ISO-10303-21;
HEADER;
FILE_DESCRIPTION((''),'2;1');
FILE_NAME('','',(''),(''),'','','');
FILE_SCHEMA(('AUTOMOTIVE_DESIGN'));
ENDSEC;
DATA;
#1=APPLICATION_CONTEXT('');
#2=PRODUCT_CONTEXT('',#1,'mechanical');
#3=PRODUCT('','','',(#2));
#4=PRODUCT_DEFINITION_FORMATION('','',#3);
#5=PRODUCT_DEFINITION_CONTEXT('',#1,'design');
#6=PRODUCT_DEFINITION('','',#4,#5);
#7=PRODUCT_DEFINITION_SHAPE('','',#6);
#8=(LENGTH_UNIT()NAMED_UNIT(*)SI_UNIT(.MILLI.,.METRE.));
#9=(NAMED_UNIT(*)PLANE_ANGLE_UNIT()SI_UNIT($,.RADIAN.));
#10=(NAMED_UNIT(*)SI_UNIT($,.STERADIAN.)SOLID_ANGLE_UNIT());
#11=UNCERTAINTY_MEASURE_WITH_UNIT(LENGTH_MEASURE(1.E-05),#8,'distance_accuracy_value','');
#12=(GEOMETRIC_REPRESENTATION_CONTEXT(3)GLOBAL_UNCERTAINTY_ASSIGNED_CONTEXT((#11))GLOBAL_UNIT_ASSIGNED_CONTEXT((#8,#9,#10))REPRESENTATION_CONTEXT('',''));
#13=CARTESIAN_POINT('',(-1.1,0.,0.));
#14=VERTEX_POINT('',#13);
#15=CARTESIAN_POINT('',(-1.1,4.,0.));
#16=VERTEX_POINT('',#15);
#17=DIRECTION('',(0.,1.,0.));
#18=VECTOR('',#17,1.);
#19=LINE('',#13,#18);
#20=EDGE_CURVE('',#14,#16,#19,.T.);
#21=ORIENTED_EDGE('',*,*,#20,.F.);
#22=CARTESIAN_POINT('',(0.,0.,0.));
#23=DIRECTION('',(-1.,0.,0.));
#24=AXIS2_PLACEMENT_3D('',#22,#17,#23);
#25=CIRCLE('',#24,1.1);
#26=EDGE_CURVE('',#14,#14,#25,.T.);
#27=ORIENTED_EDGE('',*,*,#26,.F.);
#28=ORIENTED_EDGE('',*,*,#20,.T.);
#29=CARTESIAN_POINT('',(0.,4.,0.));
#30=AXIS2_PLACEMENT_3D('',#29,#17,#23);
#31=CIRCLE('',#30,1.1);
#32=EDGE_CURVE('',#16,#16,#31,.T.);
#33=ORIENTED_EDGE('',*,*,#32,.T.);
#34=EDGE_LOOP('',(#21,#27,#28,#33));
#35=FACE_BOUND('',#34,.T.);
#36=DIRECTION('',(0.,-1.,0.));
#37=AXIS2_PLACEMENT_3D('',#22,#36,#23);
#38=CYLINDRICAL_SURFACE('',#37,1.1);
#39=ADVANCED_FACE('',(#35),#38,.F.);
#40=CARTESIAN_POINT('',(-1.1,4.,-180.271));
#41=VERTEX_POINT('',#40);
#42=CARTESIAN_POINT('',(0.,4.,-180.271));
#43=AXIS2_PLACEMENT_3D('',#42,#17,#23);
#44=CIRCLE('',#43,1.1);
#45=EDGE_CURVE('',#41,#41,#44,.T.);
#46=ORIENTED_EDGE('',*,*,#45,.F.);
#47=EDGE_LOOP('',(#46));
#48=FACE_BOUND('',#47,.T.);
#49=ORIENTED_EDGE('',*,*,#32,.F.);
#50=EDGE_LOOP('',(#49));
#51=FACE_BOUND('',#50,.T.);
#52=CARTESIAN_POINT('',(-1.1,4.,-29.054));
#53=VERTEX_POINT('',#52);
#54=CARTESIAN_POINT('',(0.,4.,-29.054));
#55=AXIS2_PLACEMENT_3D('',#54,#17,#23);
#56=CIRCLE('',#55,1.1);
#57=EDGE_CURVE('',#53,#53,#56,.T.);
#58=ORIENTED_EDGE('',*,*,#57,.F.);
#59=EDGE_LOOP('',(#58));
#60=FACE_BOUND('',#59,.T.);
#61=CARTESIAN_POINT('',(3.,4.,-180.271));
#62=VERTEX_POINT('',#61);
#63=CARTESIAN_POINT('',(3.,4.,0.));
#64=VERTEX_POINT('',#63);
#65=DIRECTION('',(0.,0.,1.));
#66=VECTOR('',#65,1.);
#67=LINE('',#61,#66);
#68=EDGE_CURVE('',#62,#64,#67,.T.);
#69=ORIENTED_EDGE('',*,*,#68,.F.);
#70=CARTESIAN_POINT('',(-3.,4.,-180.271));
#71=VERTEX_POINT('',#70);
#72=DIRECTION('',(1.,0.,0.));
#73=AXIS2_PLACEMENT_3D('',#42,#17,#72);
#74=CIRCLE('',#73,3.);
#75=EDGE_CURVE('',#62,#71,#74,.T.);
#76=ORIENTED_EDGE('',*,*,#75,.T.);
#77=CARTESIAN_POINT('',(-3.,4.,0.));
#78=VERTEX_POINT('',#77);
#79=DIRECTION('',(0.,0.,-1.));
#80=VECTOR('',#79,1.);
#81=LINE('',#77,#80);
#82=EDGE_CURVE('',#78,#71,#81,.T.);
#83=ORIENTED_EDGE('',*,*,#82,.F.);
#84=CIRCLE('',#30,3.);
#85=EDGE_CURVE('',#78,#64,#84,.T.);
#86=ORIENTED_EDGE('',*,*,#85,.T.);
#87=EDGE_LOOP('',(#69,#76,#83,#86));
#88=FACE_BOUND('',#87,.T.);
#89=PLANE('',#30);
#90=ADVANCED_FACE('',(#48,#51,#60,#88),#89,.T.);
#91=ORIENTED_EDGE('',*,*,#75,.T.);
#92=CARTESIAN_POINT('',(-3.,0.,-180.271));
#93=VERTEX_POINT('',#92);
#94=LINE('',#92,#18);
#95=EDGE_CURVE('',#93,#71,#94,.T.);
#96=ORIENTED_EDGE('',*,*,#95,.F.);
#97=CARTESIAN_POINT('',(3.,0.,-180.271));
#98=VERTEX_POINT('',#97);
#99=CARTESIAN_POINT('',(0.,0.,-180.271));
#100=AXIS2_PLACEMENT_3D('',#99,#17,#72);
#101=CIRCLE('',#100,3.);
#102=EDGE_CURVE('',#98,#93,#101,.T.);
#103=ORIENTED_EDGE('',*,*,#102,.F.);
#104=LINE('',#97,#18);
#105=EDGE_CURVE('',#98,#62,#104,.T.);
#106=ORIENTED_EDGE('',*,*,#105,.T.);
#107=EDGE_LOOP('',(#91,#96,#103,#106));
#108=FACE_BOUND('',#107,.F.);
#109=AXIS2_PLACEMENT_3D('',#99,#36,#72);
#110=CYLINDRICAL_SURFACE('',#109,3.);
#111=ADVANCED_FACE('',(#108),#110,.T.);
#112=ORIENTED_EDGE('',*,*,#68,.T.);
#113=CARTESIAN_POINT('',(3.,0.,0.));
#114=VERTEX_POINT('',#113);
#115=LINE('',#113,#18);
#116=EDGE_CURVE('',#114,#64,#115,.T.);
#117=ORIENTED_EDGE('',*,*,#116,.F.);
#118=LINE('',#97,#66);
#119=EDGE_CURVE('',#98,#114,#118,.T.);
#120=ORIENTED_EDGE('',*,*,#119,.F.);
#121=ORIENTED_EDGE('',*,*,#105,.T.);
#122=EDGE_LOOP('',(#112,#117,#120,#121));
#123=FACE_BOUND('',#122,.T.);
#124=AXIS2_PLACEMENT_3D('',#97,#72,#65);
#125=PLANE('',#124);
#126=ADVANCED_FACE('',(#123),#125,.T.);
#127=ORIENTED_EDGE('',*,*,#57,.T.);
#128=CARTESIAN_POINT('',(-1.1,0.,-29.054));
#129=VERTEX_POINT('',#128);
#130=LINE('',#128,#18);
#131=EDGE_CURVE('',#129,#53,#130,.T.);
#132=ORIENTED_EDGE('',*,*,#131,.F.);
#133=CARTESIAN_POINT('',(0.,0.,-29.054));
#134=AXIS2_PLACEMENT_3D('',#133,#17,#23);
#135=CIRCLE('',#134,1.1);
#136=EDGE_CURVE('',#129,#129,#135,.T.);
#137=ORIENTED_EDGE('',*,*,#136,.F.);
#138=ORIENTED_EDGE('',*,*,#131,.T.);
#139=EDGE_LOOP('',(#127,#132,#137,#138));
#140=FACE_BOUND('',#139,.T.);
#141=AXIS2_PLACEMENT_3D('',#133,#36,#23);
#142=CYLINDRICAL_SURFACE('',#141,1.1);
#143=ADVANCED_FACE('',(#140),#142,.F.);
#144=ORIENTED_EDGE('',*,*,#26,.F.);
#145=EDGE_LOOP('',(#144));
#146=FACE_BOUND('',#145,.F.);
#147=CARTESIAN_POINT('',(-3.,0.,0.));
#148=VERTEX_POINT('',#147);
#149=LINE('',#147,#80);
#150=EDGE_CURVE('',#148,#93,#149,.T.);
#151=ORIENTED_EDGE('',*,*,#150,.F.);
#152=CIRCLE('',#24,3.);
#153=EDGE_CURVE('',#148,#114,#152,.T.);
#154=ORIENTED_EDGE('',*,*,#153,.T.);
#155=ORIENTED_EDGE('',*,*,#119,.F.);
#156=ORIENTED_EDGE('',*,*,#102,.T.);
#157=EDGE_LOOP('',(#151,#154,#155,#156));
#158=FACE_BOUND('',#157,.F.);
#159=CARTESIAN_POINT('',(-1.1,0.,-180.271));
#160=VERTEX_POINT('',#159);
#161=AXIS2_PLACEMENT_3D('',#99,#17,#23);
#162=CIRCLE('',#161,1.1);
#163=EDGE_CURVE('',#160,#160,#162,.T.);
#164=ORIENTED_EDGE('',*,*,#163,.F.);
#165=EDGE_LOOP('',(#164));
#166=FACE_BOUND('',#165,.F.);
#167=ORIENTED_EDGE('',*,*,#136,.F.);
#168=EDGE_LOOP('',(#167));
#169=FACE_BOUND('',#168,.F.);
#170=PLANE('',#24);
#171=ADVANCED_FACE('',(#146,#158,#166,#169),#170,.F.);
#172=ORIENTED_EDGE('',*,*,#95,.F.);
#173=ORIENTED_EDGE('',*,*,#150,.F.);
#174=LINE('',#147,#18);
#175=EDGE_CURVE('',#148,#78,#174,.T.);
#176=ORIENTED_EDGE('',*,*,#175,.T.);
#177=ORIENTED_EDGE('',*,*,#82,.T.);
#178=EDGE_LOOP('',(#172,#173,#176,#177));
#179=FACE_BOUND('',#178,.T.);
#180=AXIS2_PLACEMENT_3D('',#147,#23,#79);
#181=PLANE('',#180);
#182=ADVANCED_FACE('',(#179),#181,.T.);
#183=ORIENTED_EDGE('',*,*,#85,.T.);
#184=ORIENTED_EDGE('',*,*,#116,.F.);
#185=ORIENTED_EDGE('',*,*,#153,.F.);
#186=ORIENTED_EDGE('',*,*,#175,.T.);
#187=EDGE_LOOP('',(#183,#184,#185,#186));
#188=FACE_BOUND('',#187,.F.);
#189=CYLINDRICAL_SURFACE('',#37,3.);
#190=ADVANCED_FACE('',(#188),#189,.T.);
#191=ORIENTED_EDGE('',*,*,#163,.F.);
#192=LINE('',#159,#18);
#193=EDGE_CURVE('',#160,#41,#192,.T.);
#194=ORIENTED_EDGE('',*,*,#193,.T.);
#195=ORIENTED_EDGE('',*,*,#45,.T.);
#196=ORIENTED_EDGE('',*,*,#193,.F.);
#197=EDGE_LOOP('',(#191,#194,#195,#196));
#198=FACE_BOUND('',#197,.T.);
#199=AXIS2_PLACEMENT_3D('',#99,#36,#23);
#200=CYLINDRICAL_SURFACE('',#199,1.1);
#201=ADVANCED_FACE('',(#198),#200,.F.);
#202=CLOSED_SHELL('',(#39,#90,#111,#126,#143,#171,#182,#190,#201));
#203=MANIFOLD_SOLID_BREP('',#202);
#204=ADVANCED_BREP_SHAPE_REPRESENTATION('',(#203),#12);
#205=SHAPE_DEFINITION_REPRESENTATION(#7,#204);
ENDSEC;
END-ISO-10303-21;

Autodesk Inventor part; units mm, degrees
ref_plane "YZ Plane" through (0, 0, 0) normal (1, 0, 0) x (0, 1, 0)
ref_plane "XZ Plane" through (0, 0, 0) normal (0, 1, 0) x (-1, 0, 0)
ref_plane "XY Plane" through (0, 0, 0) normal (0, 0, 1) x (1, 0, 0)
sketch "Sketch1" plane through (0, 0, 0) normal (0, 1, 0) x (-1, 0, 0)
  line L0 (0, 0) -> (0, -180.271) construction
  line L1 (3, 0) -> (3, -180.271)
  line L2 (-3, -180.271) -> (-3, 0)
  arc A0 (3, 0) -> (-3, 0) centre (0, 0) ccw
  arc A1 (-3, -180.271) -> (3, -180.271) centre (0, -180.271) ccw
  circle A2 centre (0, 0) radius 1.1
  circle A3 centre (0, -180.271) radius 1.1
  circle A4 centre (0, -29.054) radius 1.1
  point P0 (0, -90.1355)
  dimension "d0" = 2.2
  dimension "d1" = 2.2
  dimension "d2" = 6
  dimension "d3" = 180.271
  dimension "d14" = 2.2
  dimension "d15" = 29.054
extrude "Extrusion1" add sketch "Sketch1" along normal blind 4
